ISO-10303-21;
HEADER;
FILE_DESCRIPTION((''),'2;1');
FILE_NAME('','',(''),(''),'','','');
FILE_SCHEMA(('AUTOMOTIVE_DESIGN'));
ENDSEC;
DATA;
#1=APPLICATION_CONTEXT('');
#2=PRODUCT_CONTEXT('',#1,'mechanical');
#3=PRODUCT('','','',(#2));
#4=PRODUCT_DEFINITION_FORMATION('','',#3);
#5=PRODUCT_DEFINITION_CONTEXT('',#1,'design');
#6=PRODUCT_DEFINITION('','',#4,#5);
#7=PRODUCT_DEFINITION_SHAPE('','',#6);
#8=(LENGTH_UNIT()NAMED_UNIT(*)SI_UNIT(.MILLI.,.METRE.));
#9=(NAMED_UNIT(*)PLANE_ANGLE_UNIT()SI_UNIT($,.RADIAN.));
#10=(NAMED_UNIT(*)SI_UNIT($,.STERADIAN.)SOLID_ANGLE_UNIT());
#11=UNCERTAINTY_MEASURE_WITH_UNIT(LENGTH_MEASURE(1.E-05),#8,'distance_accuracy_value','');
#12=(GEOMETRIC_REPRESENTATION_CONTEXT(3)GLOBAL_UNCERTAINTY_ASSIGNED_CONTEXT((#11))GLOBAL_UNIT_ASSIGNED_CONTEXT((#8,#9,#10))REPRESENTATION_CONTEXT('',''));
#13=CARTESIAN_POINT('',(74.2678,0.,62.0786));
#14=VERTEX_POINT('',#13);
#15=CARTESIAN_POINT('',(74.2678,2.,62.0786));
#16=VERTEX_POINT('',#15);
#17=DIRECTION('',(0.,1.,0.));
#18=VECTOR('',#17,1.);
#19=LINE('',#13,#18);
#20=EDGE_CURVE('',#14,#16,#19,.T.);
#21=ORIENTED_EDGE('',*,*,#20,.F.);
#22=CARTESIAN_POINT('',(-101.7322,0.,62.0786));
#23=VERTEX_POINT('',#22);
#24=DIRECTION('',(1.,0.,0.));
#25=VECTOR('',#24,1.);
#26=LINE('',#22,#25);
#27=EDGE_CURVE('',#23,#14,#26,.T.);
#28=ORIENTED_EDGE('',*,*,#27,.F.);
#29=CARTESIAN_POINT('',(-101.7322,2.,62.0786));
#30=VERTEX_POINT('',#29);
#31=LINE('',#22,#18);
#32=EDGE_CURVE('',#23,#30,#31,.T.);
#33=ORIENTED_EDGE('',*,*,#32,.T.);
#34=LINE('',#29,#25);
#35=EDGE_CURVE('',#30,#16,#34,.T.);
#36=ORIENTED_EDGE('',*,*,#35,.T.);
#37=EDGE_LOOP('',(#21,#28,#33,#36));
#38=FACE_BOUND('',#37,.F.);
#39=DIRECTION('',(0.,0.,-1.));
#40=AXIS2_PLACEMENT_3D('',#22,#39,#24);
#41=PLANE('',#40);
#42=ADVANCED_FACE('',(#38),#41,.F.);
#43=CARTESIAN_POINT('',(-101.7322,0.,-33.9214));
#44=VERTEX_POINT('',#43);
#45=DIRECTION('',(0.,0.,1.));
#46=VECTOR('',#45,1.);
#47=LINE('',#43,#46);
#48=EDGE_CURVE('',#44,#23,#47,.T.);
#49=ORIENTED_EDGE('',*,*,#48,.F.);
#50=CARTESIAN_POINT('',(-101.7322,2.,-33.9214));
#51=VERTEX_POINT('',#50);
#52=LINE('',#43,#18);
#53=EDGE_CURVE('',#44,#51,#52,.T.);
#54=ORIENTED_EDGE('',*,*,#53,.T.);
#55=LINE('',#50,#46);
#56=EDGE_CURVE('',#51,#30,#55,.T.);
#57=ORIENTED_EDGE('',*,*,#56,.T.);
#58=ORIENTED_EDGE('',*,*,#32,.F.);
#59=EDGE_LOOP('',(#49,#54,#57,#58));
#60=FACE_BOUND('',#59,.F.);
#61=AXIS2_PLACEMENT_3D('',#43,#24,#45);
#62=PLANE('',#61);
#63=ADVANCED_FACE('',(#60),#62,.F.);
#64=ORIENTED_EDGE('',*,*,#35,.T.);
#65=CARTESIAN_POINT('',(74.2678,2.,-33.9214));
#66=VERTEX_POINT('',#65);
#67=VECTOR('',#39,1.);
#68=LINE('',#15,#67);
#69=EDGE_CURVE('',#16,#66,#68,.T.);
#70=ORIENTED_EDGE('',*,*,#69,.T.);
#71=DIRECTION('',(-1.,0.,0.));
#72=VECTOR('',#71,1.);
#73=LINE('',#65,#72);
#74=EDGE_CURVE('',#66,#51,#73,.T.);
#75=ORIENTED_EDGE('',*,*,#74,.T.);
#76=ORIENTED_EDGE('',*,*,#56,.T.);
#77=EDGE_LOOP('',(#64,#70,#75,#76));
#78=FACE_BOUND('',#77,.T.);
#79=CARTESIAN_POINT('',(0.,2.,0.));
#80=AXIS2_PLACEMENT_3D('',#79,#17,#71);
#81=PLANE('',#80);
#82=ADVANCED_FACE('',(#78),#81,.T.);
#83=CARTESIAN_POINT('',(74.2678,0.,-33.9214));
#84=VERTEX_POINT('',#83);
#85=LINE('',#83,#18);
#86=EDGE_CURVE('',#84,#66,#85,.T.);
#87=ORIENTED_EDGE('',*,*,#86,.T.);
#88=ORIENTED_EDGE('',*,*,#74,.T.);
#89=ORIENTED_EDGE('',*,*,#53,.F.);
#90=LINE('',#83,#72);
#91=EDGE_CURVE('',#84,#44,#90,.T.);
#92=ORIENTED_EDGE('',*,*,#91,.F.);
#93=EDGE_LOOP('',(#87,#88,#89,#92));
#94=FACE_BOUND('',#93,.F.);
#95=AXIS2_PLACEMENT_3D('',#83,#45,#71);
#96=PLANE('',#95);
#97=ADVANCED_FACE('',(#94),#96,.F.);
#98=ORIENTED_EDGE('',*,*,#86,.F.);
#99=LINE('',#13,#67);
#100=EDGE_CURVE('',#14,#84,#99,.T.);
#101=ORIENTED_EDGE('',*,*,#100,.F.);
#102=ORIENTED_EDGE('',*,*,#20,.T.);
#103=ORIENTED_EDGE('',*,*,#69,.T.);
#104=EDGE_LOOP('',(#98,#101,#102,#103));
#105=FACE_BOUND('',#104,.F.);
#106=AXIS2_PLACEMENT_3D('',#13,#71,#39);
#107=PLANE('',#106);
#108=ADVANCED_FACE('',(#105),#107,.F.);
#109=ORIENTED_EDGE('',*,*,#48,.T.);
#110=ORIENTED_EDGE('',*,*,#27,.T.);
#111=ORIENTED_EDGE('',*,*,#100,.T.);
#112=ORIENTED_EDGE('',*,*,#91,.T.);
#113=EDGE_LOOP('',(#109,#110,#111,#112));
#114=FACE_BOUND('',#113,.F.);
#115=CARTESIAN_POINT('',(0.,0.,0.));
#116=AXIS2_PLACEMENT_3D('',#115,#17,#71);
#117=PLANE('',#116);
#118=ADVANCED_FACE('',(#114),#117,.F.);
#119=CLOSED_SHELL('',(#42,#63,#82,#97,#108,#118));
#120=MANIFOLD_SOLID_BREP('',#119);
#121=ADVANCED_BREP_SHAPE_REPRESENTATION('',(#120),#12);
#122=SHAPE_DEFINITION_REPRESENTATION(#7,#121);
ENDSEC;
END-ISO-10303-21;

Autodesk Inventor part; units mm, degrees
ref_plane "YZ Plane" through (0, 0, 0) normal (1, 0, 0) x (0, 1, 0)
ref_plane "XZ Plane" through (0, 0, 0) normal (0, 1, 0) x (-1, 0, 0)
ref_plane "XY Plane" through (0, 0, 0) normal (0, 0, 1) x (1, 0, 0)
sketch "Эскиз1" plane through (0, 0, 0) normal (0, 1, 0) x (-1, 0, 0)
  line L0 (101.7322, 62.0786) -> (-74.2678, 62.0786)
  line L1 (-74.2678, 62.0786) -> (-74.2678, -33.9214)
  line L2 (-74.2678, -33.9214) -> (101.7322, -33.9214)
  line L3 (101.7322, -33.9214) -> (101.7322, 62.0786)
  line L4 (101.7322, 62.0786) -> (-74.2678, -33.9214) construction
  line L5 (-74.2678, 62.0786) -> (101.7322, -33.9214) construction
  point P0 (0, 0)
  point P1 (13.7322, 14.0786)
  dimension "d0" = 176
  dimension "d1" = 96
extrude "Выдавливание1" add sketch "Эскиз1" along normal blind 2
properties part number "стекло" material "Стекло, литое, прозрачное"
